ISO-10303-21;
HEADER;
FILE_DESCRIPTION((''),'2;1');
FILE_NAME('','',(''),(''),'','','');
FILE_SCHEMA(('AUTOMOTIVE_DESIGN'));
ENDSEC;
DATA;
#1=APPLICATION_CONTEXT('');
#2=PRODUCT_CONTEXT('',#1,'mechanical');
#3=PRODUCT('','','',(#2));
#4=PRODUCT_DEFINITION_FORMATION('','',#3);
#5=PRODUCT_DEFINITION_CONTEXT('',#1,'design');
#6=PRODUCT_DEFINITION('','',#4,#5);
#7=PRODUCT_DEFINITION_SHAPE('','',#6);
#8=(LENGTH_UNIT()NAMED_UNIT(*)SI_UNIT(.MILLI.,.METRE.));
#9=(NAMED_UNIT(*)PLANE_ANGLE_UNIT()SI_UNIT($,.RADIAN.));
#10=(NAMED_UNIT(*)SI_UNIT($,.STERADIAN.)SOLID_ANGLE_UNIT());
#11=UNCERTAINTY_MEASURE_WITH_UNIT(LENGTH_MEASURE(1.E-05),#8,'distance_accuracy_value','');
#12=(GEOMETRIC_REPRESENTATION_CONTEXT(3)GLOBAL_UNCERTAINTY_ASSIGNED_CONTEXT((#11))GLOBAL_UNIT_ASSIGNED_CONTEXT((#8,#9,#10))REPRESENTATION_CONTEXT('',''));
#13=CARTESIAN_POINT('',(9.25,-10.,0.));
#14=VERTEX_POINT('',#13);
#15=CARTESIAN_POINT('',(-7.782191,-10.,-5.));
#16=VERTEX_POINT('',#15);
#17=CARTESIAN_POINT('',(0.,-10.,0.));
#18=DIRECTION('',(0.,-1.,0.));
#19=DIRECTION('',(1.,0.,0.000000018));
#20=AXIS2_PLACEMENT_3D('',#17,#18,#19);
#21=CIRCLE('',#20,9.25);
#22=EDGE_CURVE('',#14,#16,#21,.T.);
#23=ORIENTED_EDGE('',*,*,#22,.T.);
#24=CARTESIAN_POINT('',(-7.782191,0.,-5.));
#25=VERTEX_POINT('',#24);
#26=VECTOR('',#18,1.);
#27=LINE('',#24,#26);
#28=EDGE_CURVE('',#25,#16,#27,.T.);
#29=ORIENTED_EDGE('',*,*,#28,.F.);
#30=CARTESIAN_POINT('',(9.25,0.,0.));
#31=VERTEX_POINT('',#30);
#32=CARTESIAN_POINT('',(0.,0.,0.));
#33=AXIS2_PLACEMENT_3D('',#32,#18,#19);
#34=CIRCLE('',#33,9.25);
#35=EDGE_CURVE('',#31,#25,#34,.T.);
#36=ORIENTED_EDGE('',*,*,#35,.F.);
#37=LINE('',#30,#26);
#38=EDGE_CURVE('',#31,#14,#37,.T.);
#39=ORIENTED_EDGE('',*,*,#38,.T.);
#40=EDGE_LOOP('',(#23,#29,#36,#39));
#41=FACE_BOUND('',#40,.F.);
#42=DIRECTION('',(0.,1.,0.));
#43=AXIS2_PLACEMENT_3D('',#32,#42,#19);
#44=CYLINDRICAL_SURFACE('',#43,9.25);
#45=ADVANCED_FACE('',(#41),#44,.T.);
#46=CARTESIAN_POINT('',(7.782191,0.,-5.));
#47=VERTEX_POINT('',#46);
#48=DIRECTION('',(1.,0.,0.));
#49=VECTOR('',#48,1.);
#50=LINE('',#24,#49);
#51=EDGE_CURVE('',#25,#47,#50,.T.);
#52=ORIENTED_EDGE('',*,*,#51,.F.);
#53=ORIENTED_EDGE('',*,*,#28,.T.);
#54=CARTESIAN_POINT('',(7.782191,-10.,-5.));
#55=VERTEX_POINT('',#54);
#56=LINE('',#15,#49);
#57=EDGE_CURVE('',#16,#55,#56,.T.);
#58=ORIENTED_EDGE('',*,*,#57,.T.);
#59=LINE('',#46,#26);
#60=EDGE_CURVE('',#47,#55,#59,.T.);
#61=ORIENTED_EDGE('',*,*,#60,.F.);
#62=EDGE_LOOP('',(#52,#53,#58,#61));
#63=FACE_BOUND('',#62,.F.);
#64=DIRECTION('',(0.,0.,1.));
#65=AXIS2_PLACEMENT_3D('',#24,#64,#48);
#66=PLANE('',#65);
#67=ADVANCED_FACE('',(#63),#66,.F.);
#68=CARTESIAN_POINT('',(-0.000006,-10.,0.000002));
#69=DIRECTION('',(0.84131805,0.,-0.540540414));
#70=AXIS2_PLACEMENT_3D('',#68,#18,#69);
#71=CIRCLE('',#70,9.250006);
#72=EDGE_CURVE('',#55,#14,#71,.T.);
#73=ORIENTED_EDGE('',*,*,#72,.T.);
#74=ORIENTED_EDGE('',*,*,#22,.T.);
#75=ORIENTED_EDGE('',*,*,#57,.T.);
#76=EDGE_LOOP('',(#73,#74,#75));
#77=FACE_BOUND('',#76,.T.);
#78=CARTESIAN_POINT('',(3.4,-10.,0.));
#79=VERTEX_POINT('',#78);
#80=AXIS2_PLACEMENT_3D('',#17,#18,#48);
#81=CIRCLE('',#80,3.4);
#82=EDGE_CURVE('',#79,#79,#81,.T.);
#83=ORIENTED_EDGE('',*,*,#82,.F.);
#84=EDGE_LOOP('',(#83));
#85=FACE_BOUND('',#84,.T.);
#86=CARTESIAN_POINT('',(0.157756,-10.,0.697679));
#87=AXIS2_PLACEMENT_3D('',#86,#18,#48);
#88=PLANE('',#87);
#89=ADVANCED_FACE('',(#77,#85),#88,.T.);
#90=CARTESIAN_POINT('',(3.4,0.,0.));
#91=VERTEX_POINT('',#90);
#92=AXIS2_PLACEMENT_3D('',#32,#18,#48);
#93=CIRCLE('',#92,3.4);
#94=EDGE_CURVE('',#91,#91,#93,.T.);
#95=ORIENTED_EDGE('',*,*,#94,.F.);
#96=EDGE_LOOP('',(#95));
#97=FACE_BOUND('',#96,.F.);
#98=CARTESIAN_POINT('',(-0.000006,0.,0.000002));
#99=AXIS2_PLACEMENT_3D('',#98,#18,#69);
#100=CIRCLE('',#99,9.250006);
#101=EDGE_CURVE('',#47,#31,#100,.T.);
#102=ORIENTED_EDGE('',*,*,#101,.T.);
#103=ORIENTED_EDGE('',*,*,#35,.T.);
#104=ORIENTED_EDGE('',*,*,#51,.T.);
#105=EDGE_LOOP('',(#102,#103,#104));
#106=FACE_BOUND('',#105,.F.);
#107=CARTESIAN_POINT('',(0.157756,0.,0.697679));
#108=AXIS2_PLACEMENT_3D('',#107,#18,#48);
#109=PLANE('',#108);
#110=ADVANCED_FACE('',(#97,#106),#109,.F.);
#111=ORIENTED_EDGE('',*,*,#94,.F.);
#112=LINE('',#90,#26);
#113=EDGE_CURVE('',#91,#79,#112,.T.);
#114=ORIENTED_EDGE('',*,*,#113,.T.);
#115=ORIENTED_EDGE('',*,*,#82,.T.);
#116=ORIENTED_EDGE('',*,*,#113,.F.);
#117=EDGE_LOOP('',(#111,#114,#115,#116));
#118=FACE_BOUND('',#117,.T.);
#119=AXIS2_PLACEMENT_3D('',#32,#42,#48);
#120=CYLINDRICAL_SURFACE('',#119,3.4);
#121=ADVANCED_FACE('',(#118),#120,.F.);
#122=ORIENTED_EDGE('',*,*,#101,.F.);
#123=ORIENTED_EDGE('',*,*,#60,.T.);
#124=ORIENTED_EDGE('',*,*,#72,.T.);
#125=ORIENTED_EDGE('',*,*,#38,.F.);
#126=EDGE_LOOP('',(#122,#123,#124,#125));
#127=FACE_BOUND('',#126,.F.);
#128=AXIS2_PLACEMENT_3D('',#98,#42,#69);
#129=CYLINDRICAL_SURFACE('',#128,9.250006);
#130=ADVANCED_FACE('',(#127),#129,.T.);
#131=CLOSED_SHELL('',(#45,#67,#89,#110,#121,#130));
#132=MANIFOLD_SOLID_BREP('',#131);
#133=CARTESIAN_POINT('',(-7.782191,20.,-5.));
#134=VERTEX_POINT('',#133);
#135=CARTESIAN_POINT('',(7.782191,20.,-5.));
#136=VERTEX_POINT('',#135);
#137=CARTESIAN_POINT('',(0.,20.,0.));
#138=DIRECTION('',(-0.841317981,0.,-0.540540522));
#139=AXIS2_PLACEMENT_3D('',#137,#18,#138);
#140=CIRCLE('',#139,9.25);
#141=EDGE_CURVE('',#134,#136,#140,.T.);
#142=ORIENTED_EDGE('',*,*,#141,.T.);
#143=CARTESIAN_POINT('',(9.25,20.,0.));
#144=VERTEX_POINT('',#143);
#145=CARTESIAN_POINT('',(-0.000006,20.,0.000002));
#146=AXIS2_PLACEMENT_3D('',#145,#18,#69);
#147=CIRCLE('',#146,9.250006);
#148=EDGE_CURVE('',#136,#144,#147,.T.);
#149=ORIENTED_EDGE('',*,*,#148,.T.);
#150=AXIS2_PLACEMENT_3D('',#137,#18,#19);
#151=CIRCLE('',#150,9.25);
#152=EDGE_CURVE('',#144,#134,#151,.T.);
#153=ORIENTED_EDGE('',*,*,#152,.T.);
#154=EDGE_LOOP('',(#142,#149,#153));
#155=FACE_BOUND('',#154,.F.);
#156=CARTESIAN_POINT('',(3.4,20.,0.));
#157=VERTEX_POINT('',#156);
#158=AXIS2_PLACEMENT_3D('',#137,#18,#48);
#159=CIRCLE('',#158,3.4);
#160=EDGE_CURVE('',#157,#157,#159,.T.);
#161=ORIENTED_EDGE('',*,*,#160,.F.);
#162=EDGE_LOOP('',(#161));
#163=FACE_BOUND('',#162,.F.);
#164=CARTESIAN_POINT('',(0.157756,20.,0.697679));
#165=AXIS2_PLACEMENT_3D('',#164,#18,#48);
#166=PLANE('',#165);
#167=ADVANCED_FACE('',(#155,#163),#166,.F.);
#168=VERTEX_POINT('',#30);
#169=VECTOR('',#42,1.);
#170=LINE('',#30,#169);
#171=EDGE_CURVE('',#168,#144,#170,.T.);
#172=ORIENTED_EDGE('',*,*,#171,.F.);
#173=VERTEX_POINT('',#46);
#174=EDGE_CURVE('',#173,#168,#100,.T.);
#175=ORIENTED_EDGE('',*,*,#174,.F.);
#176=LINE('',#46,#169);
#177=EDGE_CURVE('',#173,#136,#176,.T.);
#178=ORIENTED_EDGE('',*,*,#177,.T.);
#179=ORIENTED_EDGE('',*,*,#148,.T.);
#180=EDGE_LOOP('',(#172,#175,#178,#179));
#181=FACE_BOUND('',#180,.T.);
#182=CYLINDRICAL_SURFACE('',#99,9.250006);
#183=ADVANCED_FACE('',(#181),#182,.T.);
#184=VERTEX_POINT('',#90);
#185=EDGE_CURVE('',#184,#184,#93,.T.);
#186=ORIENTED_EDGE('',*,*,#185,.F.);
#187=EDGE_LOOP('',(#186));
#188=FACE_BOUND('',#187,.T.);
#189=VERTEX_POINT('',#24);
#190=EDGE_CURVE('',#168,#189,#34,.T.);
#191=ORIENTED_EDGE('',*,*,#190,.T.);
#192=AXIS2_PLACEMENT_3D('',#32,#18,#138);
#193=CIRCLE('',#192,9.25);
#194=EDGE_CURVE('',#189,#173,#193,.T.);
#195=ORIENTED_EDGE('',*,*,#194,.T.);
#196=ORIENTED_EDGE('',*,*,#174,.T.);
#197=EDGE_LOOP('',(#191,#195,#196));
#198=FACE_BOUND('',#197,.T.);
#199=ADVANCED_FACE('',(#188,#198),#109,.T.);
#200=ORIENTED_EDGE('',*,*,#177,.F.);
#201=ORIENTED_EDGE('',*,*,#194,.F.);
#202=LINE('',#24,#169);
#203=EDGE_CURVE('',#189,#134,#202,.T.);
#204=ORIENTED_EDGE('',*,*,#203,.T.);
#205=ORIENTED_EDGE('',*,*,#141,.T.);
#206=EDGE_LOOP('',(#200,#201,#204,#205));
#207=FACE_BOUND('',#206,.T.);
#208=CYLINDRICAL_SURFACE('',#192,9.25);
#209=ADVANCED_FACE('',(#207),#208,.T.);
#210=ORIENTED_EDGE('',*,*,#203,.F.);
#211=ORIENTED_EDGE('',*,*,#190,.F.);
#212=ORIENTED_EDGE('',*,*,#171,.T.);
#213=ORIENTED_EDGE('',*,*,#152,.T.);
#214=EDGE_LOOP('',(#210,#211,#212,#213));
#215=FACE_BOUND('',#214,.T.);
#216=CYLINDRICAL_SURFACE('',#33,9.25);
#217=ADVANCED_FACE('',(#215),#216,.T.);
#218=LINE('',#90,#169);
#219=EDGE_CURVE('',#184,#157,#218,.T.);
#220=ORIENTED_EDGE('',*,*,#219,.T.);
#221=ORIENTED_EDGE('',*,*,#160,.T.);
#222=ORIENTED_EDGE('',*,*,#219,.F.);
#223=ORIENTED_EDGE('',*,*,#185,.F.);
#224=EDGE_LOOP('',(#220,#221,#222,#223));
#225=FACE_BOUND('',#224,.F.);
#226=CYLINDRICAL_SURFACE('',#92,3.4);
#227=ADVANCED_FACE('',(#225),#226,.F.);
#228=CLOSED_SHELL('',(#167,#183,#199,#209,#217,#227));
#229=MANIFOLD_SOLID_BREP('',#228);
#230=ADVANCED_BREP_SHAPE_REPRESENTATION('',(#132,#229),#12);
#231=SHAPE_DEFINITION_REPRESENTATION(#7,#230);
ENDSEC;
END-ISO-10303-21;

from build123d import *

# Parameters (mm, degrees)
F0_R     = 3.4
F1_DEPTH = 20
F2_DEPTH = 10


with BuildPart() as f1:
    # F0 (on Front) → F1 (new body)
    with BuildSketch(Plane.XZ):
        with BuildLine():
            ThreePointArc((7.782191, -5), (8.875465, -2.605497), (9.25, 0))
            ThreePointArc((9.25, 0), (-2.605497, 8.875465), (-7.782191, -5))
            Line((-7.782191, -5), (7.782191, -5))
        make_face()
        Circle(F0_R, mode=Mode.SUBTRACT)
        with BuildLine():
            Line((7.782191, -5), (-7.782191, -5))
            ThreePointArc((-7.782191, -5), (0, -9.25), (7.782191, -5))
        make_face()
    extrude(amount=-F1_DEPTH)


with BuildPart() as f2:
    # F0 (on Front) → F2 (new body)
    with BuildSketch(Plane.XZ):
        with BuildLine():
            ThreePointArc((7.782191, -5), (8.875465, -2.605497), (9.25, 0))
            ThreePointArc((9.25, 0), (-2.605497, 8.875465), (-7.782191, -5))
            Line((-7.782191, -5), (7.782191, -5))
        make_face()
        Circle(F0_R, mode=Mode.SUBTRACT)
    extrude(amount=F2_DEPTH)


solid = Compound([f1.part, f2.part])
